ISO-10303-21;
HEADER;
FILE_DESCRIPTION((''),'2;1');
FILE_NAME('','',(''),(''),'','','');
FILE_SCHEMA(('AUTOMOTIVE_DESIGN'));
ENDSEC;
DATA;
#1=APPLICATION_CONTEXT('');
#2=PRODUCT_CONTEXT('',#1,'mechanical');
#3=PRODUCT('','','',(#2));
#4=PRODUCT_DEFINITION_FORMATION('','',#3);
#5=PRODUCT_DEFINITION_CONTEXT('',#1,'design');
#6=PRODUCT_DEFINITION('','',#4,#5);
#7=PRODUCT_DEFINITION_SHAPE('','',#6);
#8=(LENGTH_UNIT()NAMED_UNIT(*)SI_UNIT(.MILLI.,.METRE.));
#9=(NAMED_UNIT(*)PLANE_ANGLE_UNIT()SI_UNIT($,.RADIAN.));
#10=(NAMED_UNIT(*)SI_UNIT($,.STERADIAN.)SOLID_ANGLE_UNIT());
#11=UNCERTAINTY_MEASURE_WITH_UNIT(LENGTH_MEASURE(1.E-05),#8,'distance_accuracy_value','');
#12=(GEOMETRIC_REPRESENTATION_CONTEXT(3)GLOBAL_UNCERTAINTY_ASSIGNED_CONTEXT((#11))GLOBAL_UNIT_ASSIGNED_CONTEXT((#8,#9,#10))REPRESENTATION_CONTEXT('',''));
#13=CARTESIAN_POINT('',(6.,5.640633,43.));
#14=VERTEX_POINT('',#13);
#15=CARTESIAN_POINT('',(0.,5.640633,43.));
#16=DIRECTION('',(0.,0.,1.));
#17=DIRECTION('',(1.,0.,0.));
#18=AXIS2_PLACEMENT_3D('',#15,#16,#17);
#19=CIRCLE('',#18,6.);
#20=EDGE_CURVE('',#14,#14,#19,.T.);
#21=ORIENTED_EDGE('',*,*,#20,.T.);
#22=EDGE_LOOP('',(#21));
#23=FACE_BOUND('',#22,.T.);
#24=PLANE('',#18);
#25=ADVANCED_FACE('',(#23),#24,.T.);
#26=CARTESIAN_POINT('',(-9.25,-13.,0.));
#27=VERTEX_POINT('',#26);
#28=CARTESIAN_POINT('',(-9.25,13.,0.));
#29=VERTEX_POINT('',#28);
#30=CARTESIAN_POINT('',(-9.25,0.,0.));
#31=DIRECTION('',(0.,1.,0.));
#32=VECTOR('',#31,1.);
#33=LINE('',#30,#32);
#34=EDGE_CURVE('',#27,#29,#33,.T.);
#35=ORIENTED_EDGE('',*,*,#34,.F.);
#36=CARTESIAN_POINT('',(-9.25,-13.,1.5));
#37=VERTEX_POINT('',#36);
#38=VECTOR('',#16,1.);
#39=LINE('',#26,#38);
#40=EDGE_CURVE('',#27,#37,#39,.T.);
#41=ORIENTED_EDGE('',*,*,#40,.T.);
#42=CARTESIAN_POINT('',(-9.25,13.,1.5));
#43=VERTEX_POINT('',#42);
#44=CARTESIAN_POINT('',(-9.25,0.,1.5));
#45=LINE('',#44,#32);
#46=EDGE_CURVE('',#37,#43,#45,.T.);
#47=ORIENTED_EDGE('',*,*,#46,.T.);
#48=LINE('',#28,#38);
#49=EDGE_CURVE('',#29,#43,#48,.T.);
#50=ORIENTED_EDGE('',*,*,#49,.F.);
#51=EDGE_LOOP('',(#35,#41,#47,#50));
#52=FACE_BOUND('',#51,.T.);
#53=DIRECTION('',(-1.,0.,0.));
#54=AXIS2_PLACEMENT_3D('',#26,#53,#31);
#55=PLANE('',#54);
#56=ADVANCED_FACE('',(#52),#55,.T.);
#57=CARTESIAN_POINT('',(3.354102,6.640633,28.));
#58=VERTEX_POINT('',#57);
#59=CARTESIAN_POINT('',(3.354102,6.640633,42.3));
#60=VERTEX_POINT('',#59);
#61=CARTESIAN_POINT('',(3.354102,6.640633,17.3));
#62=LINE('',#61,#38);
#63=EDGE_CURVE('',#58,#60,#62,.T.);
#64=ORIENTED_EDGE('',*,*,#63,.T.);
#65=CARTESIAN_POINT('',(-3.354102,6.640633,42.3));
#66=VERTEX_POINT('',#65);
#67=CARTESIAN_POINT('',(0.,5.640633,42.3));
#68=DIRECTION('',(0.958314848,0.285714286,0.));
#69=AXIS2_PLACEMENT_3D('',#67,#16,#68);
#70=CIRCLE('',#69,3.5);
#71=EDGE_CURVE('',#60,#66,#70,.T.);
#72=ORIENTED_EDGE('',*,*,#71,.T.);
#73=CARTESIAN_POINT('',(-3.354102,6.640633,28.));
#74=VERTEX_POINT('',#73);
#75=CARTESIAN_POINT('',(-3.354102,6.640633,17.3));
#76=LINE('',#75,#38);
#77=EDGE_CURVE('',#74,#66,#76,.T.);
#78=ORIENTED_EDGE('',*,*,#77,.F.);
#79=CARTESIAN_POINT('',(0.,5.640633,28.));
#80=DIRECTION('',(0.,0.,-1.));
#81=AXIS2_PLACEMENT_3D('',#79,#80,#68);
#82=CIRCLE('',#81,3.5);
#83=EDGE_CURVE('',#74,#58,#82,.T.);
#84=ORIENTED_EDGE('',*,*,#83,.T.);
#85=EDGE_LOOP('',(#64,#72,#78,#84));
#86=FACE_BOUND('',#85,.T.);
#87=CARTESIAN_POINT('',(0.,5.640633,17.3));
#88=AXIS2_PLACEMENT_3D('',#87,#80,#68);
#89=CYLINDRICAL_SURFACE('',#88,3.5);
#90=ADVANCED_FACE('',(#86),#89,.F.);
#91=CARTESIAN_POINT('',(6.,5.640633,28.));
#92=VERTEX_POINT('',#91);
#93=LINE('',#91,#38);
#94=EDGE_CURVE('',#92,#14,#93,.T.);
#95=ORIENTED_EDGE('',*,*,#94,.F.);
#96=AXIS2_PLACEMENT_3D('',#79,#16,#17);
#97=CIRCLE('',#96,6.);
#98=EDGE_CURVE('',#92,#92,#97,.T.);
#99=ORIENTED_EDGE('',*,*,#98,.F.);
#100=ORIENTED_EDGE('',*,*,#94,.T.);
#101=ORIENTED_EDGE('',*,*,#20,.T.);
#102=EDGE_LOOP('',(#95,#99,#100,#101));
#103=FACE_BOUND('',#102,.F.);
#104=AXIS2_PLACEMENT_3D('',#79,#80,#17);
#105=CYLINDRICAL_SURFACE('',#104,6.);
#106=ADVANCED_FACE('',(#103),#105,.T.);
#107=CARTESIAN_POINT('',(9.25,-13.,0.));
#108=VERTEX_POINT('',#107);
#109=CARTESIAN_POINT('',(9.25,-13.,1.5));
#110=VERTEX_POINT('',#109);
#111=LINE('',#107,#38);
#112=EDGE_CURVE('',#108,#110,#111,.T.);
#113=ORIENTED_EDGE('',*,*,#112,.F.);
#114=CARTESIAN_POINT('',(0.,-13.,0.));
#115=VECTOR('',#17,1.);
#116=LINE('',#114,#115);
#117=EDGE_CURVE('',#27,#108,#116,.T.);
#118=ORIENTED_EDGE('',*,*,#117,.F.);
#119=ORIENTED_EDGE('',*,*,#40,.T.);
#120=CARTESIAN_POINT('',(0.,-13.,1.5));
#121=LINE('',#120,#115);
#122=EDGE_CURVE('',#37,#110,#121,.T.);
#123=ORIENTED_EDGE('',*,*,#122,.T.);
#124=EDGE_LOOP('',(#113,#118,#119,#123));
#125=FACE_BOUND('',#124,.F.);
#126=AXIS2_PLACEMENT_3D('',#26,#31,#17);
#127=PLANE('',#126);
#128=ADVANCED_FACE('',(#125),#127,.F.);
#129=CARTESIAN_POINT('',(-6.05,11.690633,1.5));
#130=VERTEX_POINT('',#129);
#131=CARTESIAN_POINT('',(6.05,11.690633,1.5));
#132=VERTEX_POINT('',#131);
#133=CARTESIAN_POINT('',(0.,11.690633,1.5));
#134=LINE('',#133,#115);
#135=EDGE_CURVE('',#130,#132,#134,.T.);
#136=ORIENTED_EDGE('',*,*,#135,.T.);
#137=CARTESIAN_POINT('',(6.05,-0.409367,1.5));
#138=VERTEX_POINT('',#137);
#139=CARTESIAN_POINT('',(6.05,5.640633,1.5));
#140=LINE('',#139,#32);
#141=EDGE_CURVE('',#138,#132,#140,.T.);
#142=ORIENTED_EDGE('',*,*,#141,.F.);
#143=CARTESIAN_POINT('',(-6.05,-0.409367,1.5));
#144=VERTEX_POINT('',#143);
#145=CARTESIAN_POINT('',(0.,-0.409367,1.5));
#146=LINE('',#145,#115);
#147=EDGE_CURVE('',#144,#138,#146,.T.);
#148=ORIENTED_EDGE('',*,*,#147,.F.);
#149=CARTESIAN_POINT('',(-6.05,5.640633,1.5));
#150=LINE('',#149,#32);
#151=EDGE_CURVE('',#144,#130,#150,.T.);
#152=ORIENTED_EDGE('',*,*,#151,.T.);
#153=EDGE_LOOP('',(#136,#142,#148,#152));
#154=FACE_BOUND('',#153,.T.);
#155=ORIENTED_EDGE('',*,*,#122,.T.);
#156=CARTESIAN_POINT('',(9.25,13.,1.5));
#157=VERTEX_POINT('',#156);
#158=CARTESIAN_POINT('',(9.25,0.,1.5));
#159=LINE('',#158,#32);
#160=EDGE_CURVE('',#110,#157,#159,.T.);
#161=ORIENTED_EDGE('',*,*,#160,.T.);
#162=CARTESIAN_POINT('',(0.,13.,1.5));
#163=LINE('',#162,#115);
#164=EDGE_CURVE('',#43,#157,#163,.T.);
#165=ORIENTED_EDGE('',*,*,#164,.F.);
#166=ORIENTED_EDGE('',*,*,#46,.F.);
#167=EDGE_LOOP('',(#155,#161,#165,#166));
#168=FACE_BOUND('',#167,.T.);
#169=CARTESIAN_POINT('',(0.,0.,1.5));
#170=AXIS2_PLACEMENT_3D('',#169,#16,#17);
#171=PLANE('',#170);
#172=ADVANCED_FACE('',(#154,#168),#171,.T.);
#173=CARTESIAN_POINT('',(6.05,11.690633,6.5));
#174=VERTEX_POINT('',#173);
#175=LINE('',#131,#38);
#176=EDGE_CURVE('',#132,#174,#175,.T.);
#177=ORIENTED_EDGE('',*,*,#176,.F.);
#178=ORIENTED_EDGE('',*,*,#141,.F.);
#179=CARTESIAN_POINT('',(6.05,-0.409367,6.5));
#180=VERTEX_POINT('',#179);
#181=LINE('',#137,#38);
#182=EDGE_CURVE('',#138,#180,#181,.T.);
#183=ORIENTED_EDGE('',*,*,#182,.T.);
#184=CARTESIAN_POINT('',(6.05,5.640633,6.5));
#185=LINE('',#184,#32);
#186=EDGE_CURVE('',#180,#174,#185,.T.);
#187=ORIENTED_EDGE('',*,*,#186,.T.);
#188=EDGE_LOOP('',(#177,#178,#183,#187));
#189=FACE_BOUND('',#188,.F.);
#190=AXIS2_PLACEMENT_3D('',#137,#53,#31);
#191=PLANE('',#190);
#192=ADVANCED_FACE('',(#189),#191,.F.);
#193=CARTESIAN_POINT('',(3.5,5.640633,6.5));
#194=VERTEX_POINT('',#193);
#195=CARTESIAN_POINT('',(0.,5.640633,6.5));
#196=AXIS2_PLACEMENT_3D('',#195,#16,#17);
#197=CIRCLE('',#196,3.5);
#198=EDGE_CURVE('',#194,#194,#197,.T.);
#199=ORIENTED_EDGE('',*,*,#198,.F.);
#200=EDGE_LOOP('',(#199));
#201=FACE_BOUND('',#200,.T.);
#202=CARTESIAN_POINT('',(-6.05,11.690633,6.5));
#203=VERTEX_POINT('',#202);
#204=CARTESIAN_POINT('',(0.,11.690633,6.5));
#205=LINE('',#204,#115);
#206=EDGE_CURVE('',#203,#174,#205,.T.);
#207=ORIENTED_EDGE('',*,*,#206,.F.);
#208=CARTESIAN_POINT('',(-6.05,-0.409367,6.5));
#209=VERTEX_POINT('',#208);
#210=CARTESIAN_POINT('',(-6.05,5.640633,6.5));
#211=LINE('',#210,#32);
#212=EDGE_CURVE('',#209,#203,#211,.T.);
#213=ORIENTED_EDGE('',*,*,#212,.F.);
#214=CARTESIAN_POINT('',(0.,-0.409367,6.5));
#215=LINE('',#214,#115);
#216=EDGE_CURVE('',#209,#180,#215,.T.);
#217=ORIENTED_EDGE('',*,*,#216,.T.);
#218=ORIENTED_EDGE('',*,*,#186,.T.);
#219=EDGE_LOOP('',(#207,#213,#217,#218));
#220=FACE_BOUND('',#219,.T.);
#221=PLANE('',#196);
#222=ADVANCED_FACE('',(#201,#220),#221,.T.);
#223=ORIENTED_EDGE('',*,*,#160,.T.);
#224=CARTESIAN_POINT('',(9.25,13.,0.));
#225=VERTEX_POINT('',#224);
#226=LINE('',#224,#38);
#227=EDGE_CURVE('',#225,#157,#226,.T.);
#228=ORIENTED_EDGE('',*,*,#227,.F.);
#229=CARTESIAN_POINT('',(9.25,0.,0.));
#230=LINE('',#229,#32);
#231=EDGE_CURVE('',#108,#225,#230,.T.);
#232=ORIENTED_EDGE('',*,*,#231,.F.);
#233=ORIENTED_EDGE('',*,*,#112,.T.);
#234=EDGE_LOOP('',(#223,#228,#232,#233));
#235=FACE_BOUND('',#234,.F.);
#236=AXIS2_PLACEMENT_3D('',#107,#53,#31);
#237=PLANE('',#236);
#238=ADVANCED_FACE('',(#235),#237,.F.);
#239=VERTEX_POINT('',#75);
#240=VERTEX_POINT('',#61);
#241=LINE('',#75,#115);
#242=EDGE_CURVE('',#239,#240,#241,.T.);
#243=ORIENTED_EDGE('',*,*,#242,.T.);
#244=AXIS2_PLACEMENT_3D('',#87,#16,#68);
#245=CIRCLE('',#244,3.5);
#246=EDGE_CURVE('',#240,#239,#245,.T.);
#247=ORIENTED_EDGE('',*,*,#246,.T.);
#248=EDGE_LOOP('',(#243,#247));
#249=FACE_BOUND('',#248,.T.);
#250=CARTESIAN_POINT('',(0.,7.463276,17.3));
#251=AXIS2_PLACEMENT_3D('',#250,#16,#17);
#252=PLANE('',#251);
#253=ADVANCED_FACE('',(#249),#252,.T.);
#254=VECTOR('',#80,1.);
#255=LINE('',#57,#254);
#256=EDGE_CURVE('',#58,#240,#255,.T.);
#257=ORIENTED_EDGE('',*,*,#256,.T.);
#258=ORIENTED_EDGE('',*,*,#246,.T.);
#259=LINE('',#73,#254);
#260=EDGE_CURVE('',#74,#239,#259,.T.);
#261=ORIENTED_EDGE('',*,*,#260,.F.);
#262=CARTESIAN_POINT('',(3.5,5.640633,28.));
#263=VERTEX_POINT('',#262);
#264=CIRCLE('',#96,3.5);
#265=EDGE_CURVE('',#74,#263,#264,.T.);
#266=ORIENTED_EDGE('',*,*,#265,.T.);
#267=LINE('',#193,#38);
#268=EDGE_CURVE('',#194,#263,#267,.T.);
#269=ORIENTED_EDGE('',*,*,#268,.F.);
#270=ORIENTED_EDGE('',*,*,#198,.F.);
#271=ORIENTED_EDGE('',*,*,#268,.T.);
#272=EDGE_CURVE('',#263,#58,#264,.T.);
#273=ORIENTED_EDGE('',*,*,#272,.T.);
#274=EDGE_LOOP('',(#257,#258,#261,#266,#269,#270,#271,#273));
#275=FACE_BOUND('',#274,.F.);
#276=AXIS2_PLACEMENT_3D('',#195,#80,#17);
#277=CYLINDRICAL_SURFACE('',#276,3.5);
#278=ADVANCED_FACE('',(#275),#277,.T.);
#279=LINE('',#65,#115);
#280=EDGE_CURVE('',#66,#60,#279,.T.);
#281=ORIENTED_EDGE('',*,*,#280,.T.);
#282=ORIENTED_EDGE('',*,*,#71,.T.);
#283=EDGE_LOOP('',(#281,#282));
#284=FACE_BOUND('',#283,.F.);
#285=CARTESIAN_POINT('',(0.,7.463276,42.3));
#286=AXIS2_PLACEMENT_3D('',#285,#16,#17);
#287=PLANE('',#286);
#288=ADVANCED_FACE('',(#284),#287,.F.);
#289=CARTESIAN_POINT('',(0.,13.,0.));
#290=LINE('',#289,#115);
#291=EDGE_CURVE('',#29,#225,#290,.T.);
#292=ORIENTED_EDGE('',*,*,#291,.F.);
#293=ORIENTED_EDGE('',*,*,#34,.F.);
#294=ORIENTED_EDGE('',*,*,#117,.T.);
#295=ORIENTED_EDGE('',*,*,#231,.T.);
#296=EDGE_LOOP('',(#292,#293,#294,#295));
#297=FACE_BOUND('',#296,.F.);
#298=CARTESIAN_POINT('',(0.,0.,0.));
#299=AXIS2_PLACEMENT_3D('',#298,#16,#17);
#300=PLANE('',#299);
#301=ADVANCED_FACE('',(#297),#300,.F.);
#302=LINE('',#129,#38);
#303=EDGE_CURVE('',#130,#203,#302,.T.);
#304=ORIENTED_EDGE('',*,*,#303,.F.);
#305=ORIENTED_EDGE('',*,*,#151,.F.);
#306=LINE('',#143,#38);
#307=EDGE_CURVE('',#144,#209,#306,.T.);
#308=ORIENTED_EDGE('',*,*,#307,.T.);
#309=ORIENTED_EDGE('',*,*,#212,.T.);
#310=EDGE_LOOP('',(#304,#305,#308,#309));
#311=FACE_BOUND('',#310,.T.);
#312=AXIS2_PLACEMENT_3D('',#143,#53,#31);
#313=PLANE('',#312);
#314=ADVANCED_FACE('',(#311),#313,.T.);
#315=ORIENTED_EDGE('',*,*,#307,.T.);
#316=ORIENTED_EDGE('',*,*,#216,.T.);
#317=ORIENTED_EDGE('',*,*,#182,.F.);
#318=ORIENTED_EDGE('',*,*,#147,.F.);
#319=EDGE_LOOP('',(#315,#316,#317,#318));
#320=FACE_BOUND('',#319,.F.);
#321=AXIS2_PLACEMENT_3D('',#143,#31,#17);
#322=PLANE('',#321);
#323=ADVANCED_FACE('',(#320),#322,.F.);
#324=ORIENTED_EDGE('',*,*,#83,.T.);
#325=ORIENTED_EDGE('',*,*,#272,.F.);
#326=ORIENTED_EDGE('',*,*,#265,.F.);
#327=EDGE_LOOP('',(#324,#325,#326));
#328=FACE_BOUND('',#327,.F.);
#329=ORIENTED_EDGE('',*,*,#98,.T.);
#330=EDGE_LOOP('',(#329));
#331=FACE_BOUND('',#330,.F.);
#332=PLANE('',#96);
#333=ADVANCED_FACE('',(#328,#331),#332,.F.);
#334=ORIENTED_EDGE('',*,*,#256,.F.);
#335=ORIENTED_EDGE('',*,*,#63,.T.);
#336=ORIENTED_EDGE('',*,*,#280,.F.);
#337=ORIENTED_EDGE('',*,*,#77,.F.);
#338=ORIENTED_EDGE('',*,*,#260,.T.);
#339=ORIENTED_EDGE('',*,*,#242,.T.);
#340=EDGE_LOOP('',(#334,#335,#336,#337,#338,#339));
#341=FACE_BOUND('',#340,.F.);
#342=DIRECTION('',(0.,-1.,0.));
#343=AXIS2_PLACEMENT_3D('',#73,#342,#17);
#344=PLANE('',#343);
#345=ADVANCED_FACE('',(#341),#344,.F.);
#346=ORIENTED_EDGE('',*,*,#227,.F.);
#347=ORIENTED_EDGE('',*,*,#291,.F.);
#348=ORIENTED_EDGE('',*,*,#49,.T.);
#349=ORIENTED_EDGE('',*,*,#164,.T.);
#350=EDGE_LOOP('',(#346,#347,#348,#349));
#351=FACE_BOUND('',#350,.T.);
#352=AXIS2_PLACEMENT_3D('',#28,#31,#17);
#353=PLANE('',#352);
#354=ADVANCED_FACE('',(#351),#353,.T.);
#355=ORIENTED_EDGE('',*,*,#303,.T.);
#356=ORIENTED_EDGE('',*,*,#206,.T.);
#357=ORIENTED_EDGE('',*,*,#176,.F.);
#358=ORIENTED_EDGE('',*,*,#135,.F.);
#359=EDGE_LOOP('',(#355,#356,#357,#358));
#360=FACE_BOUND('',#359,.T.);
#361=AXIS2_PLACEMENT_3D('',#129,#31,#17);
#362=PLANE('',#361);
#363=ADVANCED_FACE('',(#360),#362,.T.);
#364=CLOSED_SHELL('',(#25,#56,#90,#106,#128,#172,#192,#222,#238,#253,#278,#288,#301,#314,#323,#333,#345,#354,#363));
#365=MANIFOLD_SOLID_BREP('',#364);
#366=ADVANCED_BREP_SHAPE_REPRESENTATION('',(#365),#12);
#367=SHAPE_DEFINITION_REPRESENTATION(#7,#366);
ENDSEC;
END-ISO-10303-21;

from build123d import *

# Parameters (mm, degrees)
F0_W      = 18.5
F0_H      = 26
F1_DEPTH  = 1.5
F2_W      = 12.1
F2_H      = 12.1
F3_DEPTH  = 5
F4_R      = 3.5
F5_DEPTH  = 21.5
F7_DEPTH  = 10.7
F8_R      = 6
F9_DEPTH  = 15
F10_DEPTH = 25


with BuildPart() as f1:
    # F0 (on Top) → F1 (new body)
    with BuildSketch(Plane.XY):
        Rectangle(F0_W, F0_H)
    extrude(amount=F1_DEPTH)

    # F2 (on face) → F3 (join)
    with BuildSketch(Plane.XY.offset(1.5)):
        with Locations((0, 5.640632961)):
            Rectangle(F2_W, F2_H)
    extrude(amount=F3_DEPTH)

    # F4 (on face) → F5 (join)
    with BuildSketch(Plane.XY.offset(6.5)):
        with Locations((0, 5.640632961)):
            Circle(F4_R)
    extrude(amount=F5_DEPTH)

    # F6 (on face) → F7 (cut)
    with BuildSketch(Plane.XY.offset(28)):
        with BuildLine():
            Line((-3.3541019662, 6.640632961), (0, 6.640632961))
            Line((0, 6.640632961), (3.3541019662, 6.640632961))
            ThreePointArc((3.3541019662, 6.640632961), (0, 9.140632961), (-3.3541019662, 6.640632961))
        make_face()
    extrude(amount=-F7_DEPTH, mode=Mode.SUBTRACT)

    # F8 (on face) → F9 (join)
    with BuildSketch(Plane.XY.offset(28)):
        with Locations((0, 5.640632961)):
            Circle(F8_R)
    extrude(amount=F9_DEPTH)

    # F10 (cut): a face of the model
    f10_faces = [f1.faces().sort_by_distance(p)[0] for p in [
        (0, 7.6794032986, 17.3),
    ]]
    extrude(f10_faces, amount=F10_DEPTH, mode=Mode.SUBTRACT)


solid = f1.part
